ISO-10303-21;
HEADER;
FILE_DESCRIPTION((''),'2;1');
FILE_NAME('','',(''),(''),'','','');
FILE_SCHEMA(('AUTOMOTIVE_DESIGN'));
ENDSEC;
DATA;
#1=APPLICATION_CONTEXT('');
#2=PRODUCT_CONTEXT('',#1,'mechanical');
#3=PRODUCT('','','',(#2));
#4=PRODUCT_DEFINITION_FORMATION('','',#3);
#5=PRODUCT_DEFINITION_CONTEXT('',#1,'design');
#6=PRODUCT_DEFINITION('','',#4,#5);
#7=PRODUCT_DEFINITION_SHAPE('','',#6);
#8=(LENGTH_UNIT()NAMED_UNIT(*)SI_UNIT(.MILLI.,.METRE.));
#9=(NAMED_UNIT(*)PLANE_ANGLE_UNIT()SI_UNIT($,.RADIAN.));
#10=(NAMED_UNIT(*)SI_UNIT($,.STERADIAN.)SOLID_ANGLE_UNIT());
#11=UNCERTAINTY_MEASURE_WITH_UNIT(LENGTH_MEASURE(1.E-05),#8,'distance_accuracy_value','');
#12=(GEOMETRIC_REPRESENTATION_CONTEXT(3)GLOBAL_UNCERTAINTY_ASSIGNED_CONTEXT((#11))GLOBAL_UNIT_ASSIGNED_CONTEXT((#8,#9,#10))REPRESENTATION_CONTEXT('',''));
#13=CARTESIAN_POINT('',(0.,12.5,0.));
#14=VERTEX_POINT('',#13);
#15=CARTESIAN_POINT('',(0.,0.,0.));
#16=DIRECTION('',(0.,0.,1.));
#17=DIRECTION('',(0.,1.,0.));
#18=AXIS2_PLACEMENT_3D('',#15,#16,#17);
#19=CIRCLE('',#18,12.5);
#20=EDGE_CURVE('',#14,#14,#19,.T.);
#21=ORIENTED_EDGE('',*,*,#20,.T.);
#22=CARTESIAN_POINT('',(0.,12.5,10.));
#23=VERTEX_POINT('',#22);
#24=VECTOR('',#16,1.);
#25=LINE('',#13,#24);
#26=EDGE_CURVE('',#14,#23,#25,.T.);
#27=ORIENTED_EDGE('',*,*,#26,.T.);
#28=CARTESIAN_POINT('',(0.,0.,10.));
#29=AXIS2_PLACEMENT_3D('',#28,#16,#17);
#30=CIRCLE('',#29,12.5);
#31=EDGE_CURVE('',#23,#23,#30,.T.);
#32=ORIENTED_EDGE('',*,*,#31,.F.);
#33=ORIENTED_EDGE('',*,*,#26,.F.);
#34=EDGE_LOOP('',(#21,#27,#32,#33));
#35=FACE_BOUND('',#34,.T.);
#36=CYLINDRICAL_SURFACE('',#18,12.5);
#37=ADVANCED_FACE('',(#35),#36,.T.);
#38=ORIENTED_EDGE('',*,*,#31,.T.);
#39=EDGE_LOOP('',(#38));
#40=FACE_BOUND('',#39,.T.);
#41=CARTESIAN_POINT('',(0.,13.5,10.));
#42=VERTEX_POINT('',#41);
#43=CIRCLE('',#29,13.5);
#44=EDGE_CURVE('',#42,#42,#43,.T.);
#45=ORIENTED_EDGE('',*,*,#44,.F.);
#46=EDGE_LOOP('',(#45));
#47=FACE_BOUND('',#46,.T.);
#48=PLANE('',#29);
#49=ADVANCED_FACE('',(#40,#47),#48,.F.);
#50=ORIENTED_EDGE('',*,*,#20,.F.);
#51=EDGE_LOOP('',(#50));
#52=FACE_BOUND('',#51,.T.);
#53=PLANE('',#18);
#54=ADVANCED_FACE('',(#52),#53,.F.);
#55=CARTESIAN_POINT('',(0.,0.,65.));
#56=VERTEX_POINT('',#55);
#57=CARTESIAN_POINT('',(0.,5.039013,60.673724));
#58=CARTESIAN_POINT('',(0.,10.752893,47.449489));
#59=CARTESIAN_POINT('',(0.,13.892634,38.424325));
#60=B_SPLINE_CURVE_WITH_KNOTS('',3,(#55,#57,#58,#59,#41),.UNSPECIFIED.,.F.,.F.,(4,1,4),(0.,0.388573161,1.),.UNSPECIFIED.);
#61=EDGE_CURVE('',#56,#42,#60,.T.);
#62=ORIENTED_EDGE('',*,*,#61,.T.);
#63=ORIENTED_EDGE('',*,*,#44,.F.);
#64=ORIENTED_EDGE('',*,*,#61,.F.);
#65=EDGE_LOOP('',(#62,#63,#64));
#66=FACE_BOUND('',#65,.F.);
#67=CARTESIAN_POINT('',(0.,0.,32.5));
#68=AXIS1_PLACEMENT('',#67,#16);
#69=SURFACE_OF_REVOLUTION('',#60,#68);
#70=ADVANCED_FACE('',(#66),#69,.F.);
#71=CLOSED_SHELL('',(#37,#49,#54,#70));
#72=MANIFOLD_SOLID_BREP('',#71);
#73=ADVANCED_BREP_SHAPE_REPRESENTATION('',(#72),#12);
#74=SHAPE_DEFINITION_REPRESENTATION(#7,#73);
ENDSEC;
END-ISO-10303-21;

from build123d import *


with BuildPart() as f1:
    # F0 (on Right) → F1 (revolve)
    with BuildSketch(Plane.YZ):
        with BuildLine():
            Line((0, 65), (0, 0))
            Line((0, 0), (12.5, 0))
            Line((12.5, 0), (12.5, 10))
            Line((12.5, 10), (13.5, 10))
            add(Edge.make_bspline(
                [(0, 65), (5.0390125889, 60.673723936), (10.7528934838, 47.4494893537), (13.8926335236, 38.4243249201), (13.5, 10)],
                knots=[0, 0, 0, 0, 0.3885731607, 1, 1, 1, 1], degree=3))
        make_face()
    revolve(axis=Axis((0, 0, 32.5), (0, 0, 1)))


solid = f1.part
